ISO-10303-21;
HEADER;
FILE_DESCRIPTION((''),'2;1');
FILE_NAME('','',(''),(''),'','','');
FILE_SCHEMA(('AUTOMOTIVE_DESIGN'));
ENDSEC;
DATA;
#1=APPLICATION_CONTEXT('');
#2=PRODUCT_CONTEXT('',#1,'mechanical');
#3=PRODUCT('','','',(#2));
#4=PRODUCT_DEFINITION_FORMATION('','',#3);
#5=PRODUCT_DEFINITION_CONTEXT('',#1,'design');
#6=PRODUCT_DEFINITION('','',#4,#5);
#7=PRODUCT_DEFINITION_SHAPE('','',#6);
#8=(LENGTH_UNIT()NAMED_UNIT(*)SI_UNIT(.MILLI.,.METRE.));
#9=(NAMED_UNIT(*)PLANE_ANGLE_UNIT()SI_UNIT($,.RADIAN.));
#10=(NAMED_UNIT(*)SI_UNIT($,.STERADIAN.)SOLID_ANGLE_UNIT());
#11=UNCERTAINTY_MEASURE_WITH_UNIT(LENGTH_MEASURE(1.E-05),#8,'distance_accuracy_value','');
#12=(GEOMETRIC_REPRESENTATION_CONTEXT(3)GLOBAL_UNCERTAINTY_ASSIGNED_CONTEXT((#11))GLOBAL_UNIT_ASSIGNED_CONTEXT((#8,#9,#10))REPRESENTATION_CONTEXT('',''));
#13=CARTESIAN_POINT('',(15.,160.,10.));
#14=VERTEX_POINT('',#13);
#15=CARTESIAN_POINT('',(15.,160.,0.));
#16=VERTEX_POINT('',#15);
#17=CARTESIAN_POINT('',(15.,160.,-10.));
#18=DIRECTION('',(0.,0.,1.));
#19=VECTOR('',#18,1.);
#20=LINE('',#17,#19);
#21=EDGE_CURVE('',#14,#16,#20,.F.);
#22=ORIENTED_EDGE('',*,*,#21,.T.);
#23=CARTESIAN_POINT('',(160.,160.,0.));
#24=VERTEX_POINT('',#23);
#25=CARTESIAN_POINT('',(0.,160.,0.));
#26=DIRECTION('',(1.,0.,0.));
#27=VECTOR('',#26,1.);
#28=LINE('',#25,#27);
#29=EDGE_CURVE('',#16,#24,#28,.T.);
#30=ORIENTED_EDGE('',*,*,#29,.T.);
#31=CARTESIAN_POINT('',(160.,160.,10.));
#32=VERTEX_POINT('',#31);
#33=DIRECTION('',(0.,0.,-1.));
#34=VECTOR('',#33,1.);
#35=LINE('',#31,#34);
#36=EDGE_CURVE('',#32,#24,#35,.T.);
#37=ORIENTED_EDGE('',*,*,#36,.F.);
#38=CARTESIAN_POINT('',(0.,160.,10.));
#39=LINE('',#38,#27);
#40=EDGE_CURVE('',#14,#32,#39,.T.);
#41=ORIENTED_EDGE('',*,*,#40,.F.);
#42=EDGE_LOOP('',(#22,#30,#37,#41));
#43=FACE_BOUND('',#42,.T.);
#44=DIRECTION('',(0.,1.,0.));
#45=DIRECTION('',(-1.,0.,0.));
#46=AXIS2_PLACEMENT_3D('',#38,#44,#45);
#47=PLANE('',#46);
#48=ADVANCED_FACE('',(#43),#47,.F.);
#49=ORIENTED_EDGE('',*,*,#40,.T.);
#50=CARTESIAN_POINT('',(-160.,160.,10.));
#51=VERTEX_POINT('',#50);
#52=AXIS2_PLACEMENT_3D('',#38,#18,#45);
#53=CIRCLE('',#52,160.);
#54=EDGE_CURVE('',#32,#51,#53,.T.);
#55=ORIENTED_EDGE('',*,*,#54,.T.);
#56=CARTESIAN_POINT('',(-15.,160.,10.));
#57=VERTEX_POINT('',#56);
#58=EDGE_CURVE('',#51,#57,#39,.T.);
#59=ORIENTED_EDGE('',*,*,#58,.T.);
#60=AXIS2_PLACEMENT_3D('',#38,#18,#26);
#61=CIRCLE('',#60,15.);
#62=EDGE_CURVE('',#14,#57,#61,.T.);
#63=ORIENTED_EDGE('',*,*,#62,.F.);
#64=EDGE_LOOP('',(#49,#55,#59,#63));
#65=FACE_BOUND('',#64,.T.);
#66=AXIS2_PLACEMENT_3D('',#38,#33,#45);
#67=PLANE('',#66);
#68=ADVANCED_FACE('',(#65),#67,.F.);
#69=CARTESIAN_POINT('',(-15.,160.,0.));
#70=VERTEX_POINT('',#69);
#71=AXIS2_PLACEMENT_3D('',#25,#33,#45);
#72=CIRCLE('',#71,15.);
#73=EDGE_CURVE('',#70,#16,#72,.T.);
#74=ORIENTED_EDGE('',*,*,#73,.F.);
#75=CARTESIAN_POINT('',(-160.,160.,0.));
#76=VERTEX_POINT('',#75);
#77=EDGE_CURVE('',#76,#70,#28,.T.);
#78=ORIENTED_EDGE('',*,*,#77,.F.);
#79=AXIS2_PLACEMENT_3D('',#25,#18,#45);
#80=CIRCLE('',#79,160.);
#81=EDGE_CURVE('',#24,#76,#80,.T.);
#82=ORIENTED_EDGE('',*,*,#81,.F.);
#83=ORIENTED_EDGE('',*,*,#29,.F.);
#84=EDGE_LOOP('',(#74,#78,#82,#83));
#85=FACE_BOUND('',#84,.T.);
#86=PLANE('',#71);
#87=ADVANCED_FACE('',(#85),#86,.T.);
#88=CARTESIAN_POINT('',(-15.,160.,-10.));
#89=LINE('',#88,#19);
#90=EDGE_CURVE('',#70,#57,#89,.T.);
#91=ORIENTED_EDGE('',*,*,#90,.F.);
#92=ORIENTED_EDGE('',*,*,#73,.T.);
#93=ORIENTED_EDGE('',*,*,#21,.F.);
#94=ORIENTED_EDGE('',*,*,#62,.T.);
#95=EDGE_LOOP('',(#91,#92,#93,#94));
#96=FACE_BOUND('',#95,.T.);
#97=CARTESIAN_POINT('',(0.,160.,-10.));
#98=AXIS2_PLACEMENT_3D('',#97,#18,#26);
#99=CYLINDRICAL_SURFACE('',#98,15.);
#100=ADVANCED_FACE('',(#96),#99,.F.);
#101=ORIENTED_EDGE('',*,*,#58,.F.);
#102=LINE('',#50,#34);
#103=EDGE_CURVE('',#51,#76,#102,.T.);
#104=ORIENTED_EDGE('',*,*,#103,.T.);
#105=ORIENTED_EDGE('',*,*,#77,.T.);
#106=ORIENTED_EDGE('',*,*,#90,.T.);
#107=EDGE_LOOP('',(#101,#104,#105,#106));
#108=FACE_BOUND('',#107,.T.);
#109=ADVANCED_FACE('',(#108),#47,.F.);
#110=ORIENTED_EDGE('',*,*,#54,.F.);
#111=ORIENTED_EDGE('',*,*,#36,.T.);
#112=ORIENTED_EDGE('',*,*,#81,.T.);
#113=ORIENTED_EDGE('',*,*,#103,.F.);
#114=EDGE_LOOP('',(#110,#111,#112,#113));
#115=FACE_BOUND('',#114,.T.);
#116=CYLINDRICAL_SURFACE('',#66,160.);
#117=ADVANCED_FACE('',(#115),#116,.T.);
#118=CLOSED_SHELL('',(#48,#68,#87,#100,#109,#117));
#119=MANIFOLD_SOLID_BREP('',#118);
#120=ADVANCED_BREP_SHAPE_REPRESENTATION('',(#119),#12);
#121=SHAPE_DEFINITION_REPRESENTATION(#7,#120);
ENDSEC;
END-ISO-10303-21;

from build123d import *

# Parameters (mm, degrees)
OUTER_CASING_DEPTH = 10
SKETCH1_R          = 15
INNER_CUTOUT_DEPTH = 20


with BuildPart() as part:
    # Plate shape → Outer casing (new body)
    with BuildSketch(Plane.XY):
        with BuildLine():
            Line((0, 160), (-160, 160))
            ThreePointArc((-160, 160), (0, 320), (160, 160))
            Line((160, 160), (0, 160))
        make_face()
    extrude(amount=OUTER_CASING_DEPTH)

    # Sketch1 → Inner Cutout (cut)
    with BuildSketch(Plane.XY.offset(10)):
        with Locations((0, 160)):
            Circle(SKETCH1_R)
    extrude(amount=-INNER_CUTOUT_DEPTH, mode=Mode.SUBTRACT)


solid = part.part
